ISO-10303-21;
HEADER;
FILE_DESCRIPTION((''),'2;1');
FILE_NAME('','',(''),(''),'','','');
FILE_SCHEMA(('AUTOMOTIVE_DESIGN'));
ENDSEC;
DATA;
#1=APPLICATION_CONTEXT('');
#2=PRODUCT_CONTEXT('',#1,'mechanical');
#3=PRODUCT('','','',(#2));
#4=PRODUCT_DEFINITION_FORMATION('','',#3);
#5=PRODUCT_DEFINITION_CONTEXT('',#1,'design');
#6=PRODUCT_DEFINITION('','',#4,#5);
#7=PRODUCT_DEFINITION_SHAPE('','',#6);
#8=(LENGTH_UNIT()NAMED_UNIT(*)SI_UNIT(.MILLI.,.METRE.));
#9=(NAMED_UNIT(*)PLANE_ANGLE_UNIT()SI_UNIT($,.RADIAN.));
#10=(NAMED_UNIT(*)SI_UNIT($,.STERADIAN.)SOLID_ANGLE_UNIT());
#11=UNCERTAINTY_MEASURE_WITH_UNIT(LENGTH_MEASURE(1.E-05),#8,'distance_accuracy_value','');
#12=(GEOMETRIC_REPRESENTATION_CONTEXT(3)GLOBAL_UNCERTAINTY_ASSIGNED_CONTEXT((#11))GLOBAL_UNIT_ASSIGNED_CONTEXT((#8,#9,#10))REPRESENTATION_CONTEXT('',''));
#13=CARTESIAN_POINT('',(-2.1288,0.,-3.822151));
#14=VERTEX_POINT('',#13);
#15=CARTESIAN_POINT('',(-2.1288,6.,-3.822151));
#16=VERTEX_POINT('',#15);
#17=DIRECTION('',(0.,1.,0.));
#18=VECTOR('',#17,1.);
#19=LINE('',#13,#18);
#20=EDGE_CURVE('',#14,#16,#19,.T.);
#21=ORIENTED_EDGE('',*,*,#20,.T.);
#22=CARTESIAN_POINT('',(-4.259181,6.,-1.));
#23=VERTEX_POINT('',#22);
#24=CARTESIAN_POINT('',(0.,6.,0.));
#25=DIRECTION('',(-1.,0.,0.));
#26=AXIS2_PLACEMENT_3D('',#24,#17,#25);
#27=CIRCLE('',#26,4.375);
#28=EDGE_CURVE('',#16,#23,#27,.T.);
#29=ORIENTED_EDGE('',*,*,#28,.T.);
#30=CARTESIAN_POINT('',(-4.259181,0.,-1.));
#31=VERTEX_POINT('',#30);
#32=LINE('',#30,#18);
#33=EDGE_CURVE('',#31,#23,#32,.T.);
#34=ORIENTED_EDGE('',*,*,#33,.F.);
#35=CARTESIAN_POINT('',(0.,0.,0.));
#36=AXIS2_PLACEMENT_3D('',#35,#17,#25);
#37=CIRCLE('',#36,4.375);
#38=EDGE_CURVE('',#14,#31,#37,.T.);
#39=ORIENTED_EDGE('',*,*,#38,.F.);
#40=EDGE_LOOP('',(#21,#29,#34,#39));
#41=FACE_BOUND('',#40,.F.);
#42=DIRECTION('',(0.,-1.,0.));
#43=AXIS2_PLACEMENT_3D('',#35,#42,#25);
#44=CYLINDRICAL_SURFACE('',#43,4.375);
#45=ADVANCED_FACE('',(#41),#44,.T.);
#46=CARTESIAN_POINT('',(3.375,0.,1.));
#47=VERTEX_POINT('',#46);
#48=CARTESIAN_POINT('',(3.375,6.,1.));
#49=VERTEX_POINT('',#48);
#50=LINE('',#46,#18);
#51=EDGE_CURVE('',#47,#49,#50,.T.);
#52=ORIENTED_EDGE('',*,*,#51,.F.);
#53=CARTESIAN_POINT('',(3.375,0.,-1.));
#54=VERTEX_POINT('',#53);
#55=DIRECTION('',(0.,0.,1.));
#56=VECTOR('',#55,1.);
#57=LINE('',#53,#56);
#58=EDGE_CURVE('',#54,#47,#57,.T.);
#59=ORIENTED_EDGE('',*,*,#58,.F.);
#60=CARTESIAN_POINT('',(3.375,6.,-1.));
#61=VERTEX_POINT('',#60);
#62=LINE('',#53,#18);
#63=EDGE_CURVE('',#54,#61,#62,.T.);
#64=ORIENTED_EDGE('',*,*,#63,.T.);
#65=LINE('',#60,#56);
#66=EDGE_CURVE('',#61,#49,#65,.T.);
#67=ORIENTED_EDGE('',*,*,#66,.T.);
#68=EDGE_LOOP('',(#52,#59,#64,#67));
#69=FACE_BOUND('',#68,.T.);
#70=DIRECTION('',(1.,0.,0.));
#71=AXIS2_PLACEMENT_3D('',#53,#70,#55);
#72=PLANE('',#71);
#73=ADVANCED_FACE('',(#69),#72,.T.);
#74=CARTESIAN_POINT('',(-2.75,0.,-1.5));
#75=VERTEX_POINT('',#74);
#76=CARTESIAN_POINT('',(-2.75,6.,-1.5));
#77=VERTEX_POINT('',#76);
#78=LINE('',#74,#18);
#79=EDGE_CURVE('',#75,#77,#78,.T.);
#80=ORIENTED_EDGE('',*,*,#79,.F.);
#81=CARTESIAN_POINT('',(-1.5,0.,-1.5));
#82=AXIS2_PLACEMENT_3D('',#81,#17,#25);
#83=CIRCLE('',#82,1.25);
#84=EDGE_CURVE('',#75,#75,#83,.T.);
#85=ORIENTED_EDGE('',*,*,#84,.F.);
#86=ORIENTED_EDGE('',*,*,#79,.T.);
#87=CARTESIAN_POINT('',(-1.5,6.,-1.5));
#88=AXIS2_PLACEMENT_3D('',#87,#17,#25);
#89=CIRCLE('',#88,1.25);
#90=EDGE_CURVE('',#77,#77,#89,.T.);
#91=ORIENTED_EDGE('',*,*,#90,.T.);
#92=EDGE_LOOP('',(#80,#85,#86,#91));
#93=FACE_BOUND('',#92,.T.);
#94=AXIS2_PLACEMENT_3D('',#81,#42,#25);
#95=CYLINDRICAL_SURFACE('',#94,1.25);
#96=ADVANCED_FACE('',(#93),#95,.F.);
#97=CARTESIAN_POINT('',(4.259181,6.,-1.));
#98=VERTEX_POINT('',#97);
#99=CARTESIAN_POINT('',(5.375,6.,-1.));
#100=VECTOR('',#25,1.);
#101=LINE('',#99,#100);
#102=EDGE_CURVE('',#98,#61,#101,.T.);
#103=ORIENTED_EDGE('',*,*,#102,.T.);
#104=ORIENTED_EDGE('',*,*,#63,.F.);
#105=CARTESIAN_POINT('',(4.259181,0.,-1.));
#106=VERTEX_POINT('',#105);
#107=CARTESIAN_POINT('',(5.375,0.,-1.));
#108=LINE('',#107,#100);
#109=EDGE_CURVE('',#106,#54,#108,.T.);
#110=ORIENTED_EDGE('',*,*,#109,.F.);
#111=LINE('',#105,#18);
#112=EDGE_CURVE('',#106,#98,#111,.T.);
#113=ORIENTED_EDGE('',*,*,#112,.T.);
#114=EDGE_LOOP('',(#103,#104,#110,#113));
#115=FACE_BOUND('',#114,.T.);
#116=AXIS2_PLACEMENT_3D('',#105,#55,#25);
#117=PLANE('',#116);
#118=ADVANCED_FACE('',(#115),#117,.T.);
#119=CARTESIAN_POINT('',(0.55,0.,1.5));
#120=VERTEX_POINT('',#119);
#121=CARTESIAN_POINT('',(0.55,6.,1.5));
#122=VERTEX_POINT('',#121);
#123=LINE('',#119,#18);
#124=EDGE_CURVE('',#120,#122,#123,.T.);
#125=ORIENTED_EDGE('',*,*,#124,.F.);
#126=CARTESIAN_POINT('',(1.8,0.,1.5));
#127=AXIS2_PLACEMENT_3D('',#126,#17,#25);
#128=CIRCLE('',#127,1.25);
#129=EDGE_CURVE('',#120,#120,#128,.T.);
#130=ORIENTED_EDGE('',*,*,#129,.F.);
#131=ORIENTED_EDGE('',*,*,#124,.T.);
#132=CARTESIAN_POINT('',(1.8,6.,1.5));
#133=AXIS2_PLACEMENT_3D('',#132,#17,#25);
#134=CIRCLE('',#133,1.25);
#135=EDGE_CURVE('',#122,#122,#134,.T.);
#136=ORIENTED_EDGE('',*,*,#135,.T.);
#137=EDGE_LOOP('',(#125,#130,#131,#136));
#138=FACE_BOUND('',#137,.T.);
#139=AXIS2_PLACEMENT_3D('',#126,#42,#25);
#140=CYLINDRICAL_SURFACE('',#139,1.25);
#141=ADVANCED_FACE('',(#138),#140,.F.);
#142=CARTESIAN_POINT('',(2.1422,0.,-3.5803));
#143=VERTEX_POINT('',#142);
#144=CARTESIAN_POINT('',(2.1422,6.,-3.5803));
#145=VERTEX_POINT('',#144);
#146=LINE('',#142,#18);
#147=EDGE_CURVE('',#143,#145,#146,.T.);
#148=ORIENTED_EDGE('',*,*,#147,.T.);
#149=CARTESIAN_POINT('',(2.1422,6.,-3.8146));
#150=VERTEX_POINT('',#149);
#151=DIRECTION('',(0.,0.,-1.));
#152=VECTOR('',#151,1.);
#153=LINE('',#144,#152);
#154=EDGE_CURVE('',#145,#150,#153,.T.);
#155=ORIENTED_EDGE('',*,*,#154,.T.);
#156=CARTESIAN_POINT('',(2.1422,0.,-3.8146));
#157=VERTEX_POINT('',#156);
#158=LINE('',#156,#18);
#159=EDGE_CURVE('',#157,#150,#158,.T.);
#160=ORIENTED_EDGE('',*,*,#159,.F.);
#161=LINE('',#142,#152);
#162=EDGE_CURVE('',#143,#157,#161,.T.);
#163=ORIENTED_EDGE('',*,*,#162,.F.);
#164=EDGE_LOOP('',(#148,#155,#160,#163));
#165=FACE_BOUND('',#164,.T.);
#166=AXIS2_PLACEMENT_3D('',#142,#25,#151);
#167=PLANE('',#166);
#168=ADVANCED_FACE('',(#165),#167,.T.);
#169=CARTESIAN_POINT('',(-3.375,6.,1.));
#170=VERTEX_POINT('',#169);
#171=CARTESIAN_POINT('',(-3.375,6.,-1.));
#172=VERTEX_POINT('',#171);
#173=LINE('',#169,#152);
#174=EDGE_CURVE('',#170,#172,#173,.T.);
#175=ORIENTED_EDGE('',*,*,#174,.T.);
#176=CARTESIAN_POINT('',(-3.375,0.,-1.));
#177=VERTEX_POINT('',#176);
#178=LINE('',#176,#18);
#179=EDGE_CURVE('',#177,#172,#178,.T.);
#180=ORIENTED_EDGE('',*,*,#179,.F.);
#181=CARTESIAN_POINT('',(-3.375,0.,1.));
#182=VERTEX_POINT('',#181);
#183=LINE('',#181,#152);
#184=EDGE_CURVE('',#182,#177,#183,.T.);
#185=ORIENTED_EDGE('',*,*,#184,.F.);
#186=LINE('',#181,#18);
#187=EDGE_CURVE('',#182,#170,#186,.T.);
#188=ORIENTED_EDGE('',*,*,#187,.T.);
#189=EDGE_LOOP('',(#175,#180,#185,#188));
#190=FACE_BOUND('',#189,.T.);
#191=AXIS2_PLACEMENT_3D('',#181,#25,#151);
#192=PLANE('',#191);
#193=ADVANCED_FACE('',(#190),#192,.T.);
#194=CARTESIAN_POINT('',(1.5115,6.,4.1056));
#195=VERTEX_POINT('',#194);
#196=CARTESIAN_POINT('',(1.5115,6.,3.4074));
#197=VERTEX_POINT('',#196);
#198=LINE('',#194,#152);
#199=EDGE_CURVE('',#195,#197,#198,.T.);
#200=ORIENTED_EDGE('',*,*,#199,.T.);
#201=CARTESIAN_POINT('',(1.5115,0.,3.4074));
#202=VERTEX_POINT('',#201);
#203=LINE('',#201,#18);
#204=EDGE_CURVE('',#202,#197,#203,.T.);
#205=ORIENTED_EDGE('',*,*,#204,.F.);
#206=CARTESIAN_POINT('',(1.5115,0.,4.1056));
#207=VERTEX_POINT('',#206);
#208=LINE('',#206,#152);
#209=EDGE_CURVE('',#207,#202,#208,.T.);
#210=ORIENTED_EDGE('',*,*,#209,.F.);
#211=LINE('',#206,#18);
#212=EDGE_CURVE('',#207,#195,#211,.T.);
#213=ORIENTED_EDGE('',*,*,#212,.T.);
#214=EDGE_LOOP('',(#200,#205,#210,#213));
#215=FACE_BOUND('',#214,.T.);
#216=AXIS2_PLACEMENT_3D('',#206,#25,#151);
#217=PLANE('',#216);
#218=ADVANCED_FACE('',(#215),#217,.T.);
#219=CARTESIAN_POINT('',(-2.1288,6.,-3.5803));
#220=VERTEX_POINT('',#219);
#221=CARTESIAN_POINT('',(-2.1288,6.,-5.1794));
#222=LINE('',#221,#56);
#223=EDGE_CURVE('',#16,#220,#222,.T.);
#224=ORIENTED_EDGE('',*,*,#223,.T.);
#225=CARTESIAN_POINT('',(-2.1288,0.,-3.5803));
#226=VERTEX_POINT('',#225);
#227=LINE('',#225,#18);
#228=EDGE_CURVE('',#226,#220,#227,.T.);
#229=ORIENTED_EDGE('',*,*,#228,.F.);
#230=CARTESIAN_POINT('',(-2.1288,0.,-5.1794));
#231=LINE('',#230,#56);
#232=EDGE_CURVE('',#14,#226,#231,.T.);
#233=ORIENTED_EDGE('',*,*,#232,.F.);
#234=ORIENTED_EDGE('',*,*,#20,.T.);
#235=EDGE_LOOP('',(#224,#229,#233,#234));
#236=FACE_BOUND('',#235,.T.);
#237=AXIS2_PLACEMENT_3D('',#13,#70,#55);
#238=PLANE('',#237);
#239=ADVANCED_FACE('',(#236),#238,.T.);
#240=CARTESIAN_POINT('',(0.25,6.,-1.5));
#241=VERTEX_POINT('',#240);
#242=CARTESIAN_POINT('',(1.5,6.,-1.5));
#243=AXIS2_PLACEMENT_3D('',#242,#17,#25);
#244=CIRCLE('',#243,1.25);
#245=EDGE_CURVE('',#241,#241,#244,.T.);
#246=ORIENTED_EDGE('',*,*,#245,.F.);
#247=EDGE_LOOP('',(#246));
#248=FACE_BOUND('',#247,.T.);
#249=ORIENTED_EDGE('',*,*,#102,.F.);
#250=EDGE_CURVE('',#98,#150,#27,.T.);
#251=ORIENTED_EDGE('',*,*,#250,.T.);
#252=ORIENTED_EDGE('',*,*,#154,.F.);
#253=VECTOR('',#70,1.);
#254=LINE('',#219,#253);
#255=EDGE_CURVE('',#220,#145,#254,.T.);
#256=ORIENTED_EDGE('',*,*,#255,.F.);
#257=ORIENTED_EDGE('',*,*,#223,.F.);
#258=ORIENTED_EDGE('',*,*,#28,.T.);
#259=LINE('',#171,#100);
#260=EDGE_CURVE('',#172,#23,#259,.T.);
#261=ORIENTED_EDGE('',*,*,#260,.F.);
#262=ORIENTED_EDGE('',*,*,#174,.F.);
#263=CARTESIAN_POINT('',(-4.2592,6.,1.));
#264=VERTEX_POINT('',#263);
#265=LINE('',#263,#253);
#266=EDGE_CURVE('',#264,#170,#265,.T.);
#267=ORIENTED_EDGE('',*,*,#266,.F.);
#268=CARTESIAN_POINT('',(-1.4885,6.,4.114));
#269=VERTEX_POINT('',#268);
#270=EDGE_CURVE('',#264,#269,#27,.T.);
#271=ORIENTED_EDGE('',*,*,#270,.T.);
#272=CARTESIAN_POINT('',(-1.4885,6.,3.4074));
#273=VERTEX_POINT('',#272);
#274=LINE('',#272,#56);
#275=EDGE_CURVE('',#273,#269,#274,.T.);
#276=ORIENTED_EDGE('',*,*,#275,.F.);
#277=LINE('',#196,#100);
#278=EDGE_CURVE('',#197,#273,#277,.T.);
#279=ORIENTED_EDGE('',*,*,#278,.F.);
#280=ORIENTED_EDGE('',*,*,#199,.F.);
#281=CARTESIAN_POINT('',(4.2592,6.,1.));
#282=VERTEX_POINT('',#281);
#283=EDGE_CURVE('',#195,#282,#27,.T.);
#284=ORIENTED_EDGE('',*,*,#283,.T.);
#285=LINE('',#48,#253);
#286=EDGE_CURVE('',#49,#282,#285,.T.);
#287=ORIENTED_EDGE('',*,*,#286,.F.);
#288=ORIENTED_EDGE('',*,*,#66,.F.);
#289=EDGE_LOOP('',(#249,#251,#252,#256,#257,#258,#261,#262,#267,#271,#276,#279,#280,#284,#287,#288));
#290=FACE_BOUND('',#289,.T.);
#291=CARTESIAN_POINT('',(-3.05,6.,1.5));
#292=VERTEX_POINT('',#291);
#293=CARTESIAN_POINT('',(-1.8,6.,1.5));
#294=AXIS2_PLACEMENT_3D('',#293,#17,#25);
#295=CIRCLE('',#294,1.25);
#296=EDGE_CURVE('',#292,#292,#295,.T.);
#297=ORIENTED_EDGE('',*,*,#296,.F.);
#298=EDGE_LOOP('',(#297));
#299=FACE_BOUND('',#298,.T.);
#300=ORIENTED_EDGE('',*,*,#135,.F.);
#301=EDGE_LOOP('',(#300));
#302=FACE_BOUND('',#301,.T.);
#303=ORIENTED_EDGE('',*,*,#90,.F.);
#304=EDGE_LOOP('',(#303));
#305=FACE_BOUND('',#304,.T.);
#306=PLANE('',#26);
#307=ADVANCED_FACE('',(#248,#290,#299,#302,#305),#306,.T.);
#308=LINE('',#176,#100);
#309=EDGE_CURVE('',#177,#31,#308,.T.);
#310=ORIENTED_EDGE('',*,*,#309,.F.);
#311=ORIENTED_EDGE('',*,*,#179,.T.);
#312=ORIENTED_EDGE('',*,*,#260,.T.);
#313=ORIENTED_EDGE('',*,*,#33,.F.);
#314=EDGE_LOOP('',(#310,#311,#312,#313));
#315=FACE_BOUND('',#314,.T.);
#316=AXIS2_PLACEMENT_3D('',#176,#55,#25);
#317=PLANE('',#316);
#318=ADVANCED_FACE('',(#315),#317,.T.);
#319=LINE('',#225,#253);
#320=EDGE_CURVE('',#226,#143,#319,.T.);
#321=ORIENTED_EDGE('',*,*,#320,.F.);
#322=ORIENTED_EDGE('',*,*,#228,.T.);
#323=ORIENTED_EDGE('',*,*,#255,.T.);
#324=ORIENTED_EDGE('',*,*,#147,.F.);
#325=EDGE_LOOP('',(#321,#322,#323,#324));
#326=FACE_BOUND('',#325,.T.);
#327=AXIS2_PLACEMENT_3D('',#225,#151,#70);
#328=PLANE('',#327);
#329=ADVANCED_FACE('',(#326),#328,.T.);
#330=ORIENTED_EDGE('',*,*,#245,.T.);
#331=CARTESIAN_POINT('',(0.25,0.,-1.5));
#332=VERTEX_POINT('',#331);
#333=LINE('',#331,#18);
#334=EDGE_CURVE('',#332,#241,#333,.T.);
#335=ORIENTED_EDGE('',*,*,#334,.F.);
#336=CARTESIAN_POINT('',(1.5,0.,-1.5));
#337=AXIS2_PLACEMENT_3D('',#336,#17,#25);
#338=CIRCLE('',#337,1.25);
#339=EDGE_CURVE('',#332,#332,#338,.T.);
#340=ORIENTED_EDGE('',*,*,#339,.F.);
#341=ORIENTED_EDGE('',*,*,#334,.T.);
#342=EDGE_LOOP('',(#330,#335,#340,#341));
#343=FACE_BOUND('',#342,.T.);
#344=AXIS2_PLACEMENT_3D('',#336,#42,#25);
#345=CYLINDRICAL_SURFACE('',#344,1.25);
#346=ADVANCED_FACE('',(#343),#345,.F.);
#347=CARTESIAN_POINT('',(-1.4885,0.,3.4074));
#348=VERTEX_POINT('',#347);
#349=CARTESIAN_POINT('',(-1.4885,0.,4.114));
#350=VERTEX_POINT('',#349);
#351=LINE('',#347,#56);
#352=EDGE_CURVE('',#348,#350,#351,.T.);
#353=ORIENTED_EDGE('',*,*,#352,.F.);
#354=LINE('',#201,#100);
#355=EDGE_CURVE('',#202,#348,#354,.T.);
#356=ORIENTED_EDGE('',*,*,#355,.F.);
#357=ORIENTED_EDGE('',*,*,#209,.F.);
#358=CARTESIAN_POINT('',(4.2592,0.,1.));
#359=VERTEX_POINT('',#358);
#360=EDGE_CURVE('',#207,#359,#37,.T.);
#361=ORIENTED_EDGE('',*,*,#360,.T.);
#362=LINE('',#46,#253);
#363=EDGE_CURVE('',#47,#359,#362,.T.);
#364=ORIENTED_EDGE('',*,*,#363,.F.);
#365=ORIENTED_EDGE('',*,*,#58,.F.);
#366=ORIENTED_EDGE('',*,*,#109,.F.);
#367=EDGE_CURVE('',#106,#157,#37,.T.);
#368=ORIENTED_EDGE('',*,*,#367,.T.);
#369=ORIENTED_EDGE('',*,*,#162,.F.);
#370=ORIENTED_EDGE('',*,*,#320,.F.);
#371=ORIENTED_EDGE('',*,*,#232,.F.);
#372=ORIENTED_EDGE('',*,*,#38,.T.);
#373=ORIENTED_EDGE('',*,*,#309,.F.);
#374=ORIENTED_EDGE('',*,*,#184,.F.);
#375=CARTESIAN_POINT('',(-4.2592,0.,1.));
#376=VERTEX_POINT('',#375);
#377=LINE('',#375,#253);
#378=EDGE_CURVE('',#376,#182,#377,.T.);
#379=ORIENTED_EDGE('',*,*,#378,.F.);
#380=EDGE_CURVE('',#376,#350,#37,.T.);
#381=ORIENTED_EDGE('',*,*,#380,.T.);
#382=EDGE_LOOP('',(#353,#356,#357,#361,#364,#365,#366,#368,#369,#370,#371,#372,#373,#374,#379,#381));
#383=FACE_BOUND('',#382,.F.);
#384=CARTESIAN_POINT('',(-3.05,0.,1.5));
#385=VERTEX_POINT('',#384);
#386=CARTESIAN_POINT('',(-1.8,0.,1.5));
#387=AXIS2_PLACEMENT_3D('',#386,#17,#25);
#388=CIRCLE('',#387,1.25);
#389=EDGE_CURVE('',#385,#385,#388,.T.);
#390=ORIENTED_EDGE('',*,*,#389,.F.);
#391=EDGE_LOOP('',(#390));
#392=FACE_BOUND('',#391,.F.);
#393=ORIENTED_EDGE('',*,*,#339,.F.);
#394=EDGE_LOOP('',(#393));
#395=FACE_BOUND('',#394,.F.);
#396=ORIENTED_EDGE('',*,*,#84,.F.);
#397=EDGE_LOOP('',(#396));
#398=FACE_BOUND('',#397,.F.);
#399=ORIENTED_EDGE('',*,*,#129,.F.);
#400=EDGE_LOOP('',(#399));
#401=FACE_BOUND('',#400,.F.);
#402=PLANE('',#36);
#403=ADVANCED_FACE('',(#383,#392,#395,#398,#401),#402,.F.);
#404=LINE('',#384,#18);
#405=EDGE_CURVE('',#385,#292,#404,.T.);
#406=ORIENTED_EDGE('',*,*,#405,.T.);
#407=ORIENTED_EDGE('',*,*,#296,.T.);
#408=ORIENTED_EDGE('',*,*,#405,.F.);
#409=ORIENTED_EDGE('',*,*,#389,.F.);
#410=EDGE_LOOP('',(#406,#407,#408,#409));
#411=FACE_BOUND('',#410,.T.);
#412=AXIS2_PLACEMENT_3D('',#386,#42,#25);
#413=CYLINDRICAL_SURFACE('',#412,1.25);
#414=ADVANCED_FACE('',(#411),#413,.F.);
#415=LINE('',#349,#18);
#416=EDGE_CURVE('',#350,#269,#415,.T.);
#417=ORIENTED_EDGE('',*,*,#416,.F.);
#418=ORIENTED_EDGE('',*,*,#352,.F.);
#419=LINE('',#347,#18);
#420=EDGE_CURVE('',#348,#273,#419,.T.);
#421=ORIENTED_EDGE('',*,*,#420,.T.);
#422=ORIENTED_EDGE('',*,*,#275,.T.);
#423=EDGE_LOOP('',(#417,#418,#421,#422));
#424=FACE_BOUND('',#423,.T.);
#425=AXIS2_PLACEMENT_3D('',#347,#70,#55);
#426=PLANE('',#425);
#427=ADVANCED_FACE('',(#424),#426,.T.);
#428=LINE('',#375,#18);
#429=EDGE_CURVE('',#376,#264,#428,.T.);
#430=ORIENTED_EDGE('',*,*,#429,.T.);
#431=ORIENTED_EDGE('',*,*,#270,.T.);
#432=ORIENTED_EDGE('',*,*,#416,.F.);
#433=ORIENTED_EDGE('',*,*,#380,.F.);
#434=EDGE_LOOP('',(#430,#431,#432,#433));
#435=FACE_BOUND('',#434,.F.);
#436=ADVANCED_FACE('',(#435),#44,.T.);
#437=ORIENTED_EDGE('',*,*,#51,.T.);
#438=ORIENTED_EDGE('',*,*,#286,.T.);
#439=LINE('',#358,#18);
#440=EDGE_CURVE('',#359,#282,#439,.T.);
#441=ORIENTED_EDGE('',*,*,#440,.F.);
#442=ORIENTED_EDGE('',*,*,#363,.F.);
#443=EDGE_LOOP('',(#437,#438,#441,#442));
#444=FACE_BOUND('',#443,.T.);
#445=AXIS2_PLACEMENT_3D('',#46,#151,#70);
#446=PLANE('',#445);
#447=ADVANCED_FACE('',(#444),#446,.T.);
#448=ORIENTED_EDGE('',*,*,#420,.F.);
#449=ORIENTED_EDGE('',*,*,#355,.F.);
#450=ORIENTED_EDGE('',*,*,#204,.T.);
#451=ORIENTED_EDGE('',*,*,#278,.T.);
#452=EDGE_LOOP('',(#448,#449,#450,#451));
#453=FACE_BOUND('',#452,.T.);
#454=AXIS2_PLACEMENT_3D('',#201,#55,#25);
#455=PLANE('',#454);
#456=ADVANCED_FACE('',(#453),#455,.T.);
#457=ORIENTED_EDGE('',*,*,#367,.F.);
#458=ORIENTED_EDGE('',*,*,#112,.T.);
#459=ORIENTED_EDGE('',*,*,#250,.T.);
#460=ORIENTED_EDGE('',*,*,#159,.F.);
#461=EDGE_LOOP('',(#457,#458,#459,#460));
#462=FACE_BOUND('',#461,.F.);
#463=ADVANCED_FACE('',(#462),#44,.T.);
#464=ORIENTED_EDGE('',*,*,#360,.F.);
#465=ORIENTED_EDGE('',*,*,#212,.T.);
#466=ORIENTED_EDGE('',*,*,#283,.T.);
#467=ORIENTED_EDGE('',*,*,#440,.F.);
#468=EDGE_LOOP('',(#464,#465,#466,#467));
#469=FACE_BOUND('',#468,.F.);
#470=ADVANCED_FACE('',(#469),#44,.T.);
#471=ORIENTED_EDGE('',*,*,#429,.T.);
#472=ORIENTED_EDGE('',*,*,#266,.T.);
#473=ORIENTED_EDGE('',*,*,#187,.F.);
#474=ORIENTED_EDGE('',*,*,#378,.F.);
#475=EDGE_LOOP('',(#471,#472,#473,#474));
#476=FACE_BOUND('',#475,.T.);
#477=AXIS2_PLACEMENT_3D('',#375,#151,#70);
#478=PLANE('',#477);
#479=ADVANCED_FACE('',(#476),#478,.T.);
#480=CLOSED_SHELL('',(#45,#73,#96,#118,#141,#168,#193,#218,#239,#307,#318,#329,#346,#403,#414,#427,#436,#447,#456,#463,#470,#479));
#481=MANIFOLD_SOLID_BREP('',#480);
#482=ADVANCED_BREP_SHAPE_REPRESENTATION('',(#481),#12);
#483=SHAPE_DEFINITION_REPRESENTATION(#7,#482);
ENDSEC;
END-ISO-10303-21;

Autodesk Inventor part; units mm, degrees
ref_plane "YZ Plane" through (0, 0, 0) normal (1, 0, 0) x (0, 1, 0)
ref_plane "XZ Plane" through (0, 0, 0) normal (0, 1, 0) x (-1, 0, 0)
ref_plane "XY Plane" through (0, 0, 0) normal (0, 0, 1) x (1, 0, 0)
sketch "Sketch1" plane through (0, 0, 0) normal (0, 1, 0) x (-1, 0, 0)
  circle A0 centre (0, 0) radius 4.375
  circle A1 centre (1.8, 1.5) radius 1.25
  circle A2 centre (1.5, -1.5) radius 1.25
  circle A3 centre (-1.8, 1.5) radius 1.25
  circle A4 centre (-1.5, -1.5) radius 1.25
  line L0 (1.4885, 4.7346) -> (0.1984, 4.7346)
  line L1 (-1.5115, 4.1056) -> (-1.5115, 3.4074)
  line L2 (-1.5115, 3.4074) -> (1.4885, 3.4074)
  line L3 (1.4885, 3.4074) -> (1.4885, 4.7346)
  line L4 (1.4885, 4.7346) -> (-1.5115, 3.4074) construction
  line L5 (0.1984, 4.7346) -> (1.4885, 3.4074) construction
  line L6 (2.1288, -3.5803) -> (-2.1422, -3.5803)
  line L7 (-2.1422, -3.5803) -> (-2.1422, -3.8146)
  line L8 (-2.1708, -5.1794) -> (2.1288, -5.1794)
  line L9 (2.1288, -5.1794) -> (2.1288, -3.5803)
  line L10 (4.2592, 1) -> (3.375, 1)
  line L11 (3.375, 1) -> (3.375, -1)
  line L12 (3.375, -1) -> (5.375, -1)
  line L13 (5.375, -1) -> (5.375, 1)
  line L14 (5.375, 1) -> (3.375, -1) construction
  line L15 (3.375, 1) -> (5.375, -1) construction
  line L16 (-3.375, 1) -> (-4.2592, 1)
  line L17 (-5.375, 1) -> (-5.375, -1)
  line L18 (-5.375, -1) -> (-3.375, -1)
  line L19 (-3.375, -1) -> (-3.375, 1)
  line L20 (-3.375, 1) -> (-5.375, -1) construction
  line L21 (-5.375, 1) -> (-3.375, -1) construction
  point P0 (0.5864, 4.3355)
  point P1 (0.2908, -4.3653)
  point P2 (1.4885, 4.114)
  point P3 (2.1288, -3.8221)
  point P4 (4.375, 0)
  point P5 (-4.375, 0)
  point P6 (-4.2592, -1)
  point P7 (4.2592, -1)
  dimension "d0" = 8.75
  dimension "d1" = 2.5
  dimension "d_1" = 2.5
  dimension "d3" = 2.5
  dimension "d4" = 2.5
  dimension "d5" = 1.5
  dimension "d6" = 1.5
  dimension "d7" = 1.5
  dimension "d8" = 1.5
  dimension "d9" = 1.8
  dimension "d10" = 1.8
  dimension "d11" = 1.5
  dimension "d12" = 1.5
  dimension "d13" = 3
  dimension "d19" = 2
  dimension "d20" = 2
  dimension "d21" = 2
  dimension "d22" = 2
extrude "Extrusion1" add sketch "Sketch1" along normal blind 6 contours L10 L11 L12 A0 L9 L6 L7 L18 L19 L16 L1 L2 L3
sketch "Sketch2" plane through (0, 0, 0) normal (0, -1, 0) x (1, 0, 0)
  circle A0 centre (1.5, -1.5) radius 1.25 projected
  circle A1 centre (1.8, 1.5) radius 1.25 projected
  circle A2 centre (-1.5, -1.5) radius 1.25 projected
  circle A3 centre (-1.8, 1.5) radius 1.25 projected
  line L0 (1.5115, 3.4074) -> (1.5115, 4.1056) projected
  line L1 (-1.4885, 3.4074) -> (1.5115, 3.4074) projected
  line L2 (-1.4885, 4.114) -> (-1.4885, 3.4074) projected
  arc A4 (-1.4885, 4.114) -> (-4.2592, 1) centre (0, 0) ccw projected
  line L3 (-3.375, 1) -> (-4.2592, 1) projected
  line L4 (-3.375, -1) -> (-3.375, 1) projected
  line L5 (-4.2592, -1) -> (-3.375, -1) projected
  arc A5 (-4.2592, -1) -> (-2.1288, -3.8221) centre (0, 0) ccw projected
  line L6 (-2.1288, -3.5803) -> (-2.1288, -3.8221) projected
  line L7 (2.1422, -3.5803) -> (-2.1288, -3.5803) projected
  line L8 (2.1422, -3.8146) -> (2.1422, -3.5803) projected
  arc A6 (2.1422, -3.8146) -> (4.2592, -1) centre (0, 0) ccw projected
  line L9 (3.375, -1) -> (4.2592, -1) projected
  line L10 (3.375, 1) -> (3.375, -1) projected
  line L11 (4.2592, 1) -> (3.375, 1) projected
  arc A7 (4.2592, 1) -> (1.5115, 4.1056) centre (0, 0) ccw projected
  circle A8 centre (0, 0) radius 5.9296
equation "\"d1\" = d_1"
equation "\"d3\" = d_1"
equation "\"d4\" = d_1"
properties part number "00_Kycon_4pin_mail"
